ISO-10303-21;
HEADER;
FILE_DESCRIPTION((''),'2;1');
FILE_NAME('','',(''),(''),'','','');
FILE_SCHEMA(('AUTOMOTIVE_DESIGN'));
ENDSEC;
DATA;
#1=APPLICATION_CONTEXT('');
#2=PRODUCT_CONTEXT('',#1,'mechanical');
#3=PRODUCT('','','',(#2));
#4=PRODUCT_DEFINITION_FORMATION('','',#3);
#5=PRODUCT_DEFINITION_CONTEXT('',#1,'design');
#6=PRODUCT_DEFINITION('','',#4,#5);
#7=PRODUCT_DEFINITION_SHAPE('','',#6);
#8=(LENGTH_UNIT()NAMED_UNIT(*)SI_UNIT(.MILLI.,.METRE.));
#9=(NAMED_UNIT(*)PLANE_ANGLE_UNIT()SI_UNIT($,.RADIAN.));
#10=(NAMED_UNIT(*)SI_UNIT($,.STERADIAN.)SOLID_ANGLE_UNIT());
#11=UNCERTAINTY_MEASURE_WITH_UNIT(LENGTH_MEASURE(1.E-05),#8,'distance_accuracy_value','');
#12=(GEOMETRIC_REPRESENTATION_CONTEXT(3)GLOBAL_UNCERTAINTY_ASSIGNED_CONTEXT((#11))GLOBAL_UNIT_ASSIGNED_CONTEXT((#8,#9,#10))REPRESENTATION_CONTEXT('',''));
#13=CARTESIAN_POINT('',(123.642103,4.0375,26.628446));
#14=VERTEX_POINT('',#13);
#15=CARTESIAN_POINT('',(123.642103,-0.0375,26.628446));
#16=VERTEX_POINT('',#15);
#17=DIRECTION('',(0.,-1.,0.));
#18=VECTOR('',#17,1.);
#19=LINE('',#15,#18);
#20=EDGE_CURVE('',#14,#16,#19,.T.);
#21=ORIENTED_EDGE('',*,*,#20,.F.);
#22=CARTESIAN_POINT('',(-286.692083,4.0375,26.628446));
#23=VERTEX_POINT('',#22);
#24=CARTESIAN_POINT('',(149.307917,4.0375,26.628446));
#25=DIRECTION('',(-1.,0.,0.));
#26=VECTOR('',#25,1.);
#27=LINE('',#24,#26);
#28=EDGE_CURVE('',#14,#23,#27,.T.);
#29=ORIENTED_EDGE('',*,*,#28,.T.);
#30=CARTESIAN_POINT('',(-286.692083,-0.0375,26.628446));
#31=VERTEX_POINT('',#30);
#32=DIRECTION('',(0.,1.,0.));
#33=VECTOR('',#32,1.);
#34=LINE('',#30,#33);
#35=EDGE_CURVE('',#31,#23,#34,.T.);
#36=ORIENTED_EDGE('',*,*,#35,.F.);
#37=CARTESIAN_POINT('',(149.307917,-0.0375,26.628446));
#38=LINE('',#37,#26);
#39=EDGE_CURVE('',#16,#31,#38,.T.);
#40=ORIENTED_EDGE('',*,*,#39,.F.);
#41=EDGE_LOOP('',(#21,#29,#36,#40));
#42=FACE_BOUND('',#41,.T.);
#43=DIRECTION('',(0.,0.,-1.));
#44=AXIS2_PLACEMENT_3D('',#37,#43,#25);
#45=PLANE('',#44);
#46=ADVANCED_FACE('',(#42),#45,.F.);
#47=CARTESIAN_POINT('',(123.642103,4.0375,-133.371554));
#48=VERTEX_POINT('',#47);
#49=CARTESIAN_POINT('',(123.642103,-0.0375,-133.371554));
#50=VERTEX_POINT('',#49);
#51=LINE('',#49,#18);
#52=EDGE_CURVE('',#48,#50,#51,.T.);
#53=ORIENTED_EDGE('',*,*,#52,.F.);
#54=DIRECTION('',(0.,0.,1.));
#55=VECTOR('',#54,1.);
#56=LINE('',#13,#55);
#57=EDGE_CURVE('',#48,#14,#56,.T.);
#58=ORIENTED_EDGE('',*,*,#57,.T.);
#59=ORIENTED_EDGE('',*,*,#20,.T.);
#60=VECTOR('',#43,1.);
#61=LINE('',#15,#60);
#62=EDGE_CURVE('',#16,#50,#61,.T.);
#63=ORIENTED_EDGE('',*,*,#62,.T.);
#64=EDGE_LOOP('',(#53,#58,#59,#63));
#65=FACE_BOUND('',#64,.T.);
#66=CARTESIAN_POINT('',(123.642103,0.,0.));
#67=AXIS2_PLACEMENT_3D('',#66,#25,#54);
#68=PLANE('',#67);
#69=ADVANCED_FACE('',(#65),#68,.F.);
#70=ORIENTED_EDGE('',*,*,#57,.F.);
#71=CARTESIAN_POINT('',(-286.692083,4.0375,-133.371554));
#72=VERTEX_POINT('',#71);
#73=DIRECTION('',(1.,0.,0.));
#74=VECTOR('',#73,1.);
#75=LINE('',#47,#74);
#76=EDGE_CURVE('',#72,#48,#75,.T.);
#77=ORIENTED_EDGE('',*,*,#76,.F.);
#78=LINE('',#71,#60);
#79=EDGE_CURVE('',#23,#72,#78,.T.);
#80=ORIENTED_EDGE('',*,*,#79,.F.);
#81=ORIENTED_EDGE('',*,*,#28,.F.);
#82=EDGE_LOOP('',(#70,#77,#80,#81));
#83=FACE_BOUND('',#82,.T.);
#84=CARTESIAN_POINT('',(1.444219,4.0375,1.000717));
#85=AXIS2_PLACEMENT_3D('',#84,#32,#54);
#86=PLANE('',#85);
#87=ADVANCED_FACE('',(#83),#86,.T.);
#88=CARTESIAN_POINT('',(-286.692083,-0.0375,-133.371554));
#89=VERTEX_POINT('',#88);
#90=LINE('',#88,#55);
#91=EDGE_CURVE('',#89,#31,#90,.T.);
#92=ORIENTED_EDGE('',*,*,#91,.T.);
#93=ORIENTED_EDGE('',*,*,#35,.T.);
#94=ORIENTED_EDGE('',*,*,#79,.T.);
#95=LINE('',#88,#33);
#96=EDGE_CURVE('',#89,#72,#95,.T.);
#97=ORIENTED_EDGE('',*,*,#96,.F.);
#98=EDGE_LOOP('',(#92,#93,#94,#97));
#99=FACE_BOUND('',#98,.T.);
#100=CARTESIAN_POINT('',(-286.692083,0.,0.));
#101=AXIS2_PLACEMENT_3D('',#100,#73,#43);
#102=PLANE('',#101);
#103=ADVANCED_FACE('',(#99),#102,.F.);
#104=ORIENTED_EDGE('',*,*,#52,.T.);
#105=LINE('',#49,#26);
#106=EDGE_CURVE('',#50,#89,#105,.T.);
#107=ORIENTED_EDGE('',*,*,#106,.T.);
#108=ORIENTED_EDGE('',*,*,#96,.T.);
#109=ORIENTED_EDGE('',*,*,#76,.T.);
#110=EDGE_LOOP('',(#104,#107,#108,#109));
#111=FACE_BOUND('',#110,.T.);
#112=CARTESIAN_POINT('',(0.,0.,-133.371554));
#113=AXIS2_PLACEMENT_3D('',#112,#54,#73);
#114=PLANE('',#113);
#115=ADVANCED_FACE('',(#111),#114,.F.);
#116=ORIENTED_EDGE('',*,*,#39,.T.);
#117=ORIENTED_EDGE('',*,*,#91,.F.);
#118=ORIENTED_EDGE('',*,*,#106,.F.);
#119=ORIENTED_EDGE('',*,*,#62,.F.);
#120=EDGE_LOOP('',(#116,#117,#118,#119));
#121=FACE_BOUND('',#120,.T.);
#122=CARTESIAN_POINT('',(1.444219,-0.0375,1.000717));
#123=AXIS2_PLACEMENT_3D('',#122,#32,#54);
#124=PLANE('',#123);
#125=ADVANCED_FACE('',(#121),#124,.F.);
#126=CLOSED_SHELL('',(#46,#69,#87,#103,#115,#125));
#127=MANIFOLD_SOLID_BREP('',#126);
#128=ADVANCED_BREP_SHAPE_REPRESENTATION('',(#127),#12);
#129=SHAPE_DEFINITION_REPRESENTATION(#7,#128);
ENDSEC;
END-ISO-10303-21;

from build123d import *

# Parameters (mm, degrees)
SKETCH1_W           = 405.33723822
SKETCH1_H           = 160
BOSS_EXTRUDE1_DEPTH = 4
SKETCH2_W           = 3.5
SKETCH2_H           = 4
CUT_EXTRUDE2_DEPTH  = 184
SKETCH3_W           = 2
SKETCH3_H           = 4
CUT_EXTRUDE3_DEPTH  = 184
SCALE1_SCALE        = 1.01875
SKETCH4_W           = 5
SKETCH4_H           = 4.075
CUT_EXTRUDE4_DEPTH  = 220
SKETCH5_W           = 0.5
SKETCH5_H           = 4.075
CUT_EXTRUDE5_DEPTH  = 430
SKETCH6_W           = 1
SKETCH6_H           = 4.075
CUT_EXTRUDE6_DEPTH  = 430
SKETCH7_W           = 0.5
SKETCH7_H           = 4.075
CUT_EXTRUDE7_DEPTH  = 430
SKETCH8_W           = 1
SKETCH8_H           = 4.075
CUT_EXTRUDE8_DEPTH  = 430
SKETCH9_W           = 160
SKETCH9_H           = 4.075
BOSS_EXTRUDE2_DEPTH = 6
SKETCH11_W          = 408.334186436
SKETCH11_H          = 4.075
BOSS_EXTRUDE4_DEPTH = 3
SKETCH12_W          = 163
SKETCH12_H          = 4.075
BOSS_EXTRUDE5_DEPTH = 2
SKETCH13_W          = 410.334186436
SKETCH13_H          = 4.075
CUT_EXTRUDE9_DEPTH  = 3


with BuildPart() as part:
    # Sketch1 → Boss-Extrude1 (new body)
    with BuildSketch(Plane(origin=(0, 0, 0), x_dir=(1, 0, 0), z_dir=(0, 1, 0))):
        with Locations((-74.274989913, 53.371553885)):
            Rectangle(SKETCH1_W, SKETCH1_H)
    extrude(amount=BOSS_EXTRUDE1_DEPTH)

    # Sketch2 → Cut-Extrude2 (cut)
    with BuildSketch(Plane.XY.offset(26.628446115)):
        with Locations((126.643629197, 2)):
            Rectangle(SKETCH2_W, SKETCH2_H)
    extrude(amount=-CUT_EXTRUDE2_DEPTH, mode=Mode.SUBTRACT)

    # Sketch3 → Cut-Extrude3 (cut)
    with BuildSketch(Plane.XY.offset(26.628446115)):
        with Locations((123.893629197, 2)):
            Rectangle(SKETCH3_W, SKETCH3_H)
    extrude(amount=-CUT_EXTRUDE3_DEPTH, mode=Mode.SUBTRACT)


with BuildPart() as part_1:
    # Scale1: scaled about (-77.024989913, 2, -53.371553885)
    add(part.part.scale(SCALE1_SCALE).moved(Location((1.444218561, -0.0375, 1.000716635))))

    # Sketch4 → Cut-Extrude4 (cut)
    with BuildSketch(Plane.XY.offset(28.128446115)):
        with Locations((124.142103305, 2)):
            Rectangle(SKETCH4_W, SKETCH4_H)
    extrude(amount=-CUT_EXTRUDE4_DEPTH, mode=Mode.SUBTRACT)

    # Sketch5 → Cut-Extrude5 (cut)
    with BuildSketch(Plane.ZY.offset(280.692083131)):
        with Locations((-134.621553885, 2)):
            Rectangle(SKETCH5_W, SKETCH5_H)
    extrude(amount=-CUT_EXTRUDE5_DEPTH, mode=Mode.SUBTRACT)

    # Sketch6 → Cut-Extrude6 (cut)
    with BuildSketch(Plane.ZY.offset(280.692083131)):
        with Locations((27.628446115, 2)):
            Rectangle(SKETCH6_W, SKETCH6_H)
    extrude(amount=-CUT_EXTRUDE6_DEPTH, mode=Mode.SUBTRACT)

    # Sketch7 → Cut-Extrude7 (cut)
    with BuildSketch(Plane.ZY.offset(280.692083131)):
        with Locations((26.878446115, 2)):
            Rectangle(SKETCH7_W, SKETCH7_H)
    extrude(amount=-CUT_EXTRUDE7_DEPTH, mode=Mode.SUBTRACT)

    # Sketch8 → Cut-Extrude8 (cut)
    with BuildSketch(Plane.ZY.offset(280.692083131)):
        with Locations((-133.871553885, 2)):
            Rectangle(SKETCH8_W, SKETCH8_H)
    extrude(amount=-CUT_EXTRUDE8_DEPTH, mode=Mode.SUBTRACT)

    # Sketch9 → Boss-Extrude2 (add)
    with BuildSketch(Plane.ZY.offset(280.692083131)):
        with Locations((-53.371553885, 2)):
            Rectangle(SKETCH9_W, SKETCH9_H)
    extrude(amount=BOSS_EXTRUDE2_DEPTH)

    # Sketch11 → Boss-Extrude4 (add)
    with BuildSketch(Plane(origin=(0, 0, -133.371553885), x_dir=(-1, 0, 0), z_dir=(0, 0, -1))):
        with Locations((82.524989913, 2)):
            Rectangle(SKETCH11_W, SKETCH11_H)
    extrude(amount=BOSS_EXTRUDE4_DEPTH)

    # Sketch12 → Boss-Extrude5 (add)
    with BuildSketch(Plane(origin=(121.642103305, 0, 0), x_dir=(0, 0, -1), z_dir=(1, 0, 0))):
        with Locations((54.871553885, 2)):
            Rectangle(SKETCH12_W, SKETCH12_H)
    extrude(amount=BOSS_EXTRUDE5_DEPTH)

    # Sketch13 → Cut-Extrude9 (cut)
    with BuildSketch(Plane(origin=(0, 0, -136.371553885), x_dir=(-1, 0, 0), z_dir=(0, 0, -1))):
        with Locations((81.524989913, 2)):
            Rectangle(SKETCH13_W, SKETCH13_H)
    extrude(amount=-CUT_EXTRUDE9_DEPTH, mode=Mode.SUBTRACT)


solid = part_1.part
